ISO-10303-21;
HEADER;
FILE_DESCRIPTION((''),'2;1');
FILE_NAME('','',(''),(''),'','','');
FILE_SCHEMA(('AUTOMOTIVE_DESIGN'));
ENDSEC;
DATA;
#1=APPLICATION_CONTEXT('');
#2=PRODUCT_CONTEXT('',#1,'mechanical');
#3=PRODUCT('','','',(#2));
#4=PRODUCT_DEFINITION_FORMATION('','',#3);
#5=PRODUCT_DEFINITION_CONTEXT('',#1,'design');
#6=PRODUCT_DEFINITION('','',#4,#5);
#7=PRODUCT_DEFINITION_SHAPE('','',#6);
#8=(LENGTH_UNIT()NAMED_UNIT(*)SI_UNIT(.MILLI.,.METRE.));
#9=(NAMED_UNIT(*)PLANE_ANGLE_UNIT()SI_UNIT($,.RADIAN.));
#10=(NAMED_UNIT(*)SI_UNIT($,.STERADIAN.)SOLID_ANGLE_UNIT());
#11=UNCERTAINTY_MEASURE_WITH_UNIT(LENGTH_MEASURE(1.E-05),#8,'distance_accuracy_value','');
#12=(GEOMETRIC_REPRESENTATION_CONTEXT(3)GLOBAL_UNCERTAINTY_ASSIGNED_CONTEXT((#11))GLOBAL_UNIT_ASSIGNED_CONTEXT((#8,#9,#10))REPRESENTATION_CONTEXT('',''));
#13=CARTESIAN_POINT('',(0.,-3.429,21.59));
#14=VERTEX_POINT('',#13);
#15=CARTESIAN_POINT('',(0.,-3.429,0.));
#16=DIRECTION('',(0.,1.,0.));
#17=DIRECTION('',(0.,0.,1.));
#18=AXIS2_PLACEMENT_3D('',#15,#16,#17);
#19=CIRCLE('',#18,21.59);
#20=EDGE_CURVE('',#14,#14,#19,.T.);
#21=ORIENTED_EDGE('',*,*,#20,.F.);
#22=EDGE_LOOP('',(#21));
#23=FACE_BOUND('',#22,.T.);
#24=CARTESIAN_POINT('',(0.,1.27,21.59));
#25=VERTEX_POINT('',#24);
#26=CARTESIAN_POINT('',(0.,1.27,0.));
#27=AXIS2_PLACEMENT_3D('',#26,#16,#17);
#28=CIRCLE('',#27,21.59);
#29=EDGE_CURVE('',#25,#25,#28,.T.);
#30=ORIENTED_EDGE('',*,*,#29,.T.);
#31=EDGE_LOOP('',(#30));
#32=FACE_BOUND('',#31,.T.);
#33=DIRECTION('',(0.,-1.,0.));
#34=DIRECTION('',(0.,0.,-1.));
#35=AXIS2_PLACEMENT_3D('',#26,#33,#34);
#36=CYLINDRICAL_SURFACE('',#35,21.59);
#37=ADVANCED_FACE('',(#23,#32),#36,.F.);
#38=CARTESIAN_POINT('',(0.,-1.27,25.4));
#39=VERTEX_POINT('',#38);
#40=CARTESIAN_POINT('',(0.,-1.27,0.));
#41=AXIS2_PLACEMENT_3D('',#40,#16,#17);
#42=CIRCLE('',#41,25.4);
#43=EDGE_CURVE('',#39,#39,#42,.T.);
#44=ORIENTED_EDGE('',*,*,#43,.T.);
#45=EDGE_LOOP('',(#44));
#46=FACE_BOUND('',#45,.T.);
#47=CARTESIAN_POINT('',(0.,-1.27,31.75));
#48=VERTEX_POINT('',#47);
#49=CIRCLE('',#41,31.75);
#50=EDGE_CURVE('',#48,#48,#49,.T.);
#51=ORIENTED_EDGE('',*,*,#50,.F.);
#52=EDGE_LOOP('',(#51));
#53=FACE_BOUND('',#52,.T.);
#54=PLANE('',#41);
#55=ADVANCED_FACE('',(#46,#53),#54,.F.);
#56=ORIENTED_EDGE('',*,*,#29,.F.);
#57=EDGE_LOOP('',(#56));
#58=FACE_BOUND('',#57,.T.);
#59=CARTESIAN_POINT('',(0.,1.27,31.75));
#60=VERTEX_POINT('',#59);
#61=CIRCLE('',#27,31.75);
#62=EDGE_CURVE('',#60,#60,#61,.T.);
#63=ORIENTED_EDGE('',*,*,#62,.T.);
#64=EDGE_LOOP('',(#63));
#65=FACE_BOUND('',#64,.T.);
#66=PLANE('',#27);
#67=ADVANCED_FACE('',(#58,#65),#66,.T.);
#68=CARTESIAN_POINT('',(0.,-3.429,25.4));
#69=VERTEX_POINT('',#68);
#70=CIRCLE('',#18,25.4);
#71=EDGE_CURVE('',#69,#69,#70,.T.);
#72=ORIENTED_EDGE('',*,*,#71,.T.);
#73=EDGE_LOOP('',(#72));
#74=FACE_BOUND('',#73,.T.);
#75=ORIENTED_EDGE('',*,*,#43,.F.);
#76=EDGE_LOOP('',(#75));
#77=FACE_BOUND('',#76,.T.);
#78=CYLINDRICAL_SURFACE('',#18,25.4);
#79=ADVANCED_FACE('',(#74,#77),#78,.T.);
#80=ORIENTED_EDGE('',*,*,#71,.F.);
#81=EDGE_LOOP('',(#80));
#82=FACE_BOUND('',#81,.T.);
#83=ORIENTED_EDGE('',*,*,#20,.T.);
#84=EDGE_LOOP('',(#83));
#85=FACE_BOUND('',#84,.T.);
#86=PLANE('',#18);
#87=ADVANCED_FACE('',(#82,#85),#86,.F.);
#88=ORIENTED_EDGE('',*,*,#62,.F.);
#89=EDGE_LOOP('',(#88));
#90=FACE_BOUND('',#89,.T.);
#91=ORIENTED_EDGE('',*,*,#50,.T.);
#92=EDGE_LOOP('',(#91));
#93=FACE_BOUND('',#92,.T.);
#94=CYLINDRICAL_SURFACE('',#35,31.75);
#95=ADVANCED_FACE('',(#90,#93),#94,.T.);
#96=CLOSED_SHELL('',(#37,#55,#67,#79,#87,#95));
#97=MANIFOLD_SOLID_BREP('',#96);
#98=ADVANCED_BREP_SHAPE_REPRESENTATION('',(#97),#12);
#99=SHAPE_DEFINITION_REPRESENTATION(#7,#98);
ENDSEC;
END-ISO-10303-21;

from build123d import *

# Parameters (mm, degrees)
SKETCH1_R           = 31.75
SKETCH1_R_2         = 21.59
BOSS_EXTRUDE1_DEPTH = 1.27
BOSS_EXTRUDE2_START = -1.27
SKETCH1_3_R         = 25.4
SKETCH1_3_R_2       = 21.59
BOSS_EXTRUDE2_DEPTH = 2.159


with BuildPart() as part:
    # Sketch1 → Boss-Extrude1 (new, symmetric)
    with BuildSketch(Plane(origin=(0, 0, 0), x_dir=(1, 0, 0), z_dir=(0, 1, 0))):
        with Locations(Location((0, 0, 0), (0, 0, 270))):
            Circle(SKETCH1_R)
        with Locations(Location((0, 0, 0), (0, 0, 270))):
            Circle(SKETCH1_R_2, mode=Mode.SUBTRACT)
    extrude(amount=BOSS_EXTRUDE1_DEPTH, both=True)

    # Sketch1<3> → Boss-Extrude2 (add)
    with BuildSketch(Plane(origin=(0, 0, 0), x_dir=(1, 0, 0), z_dir=(0, 1, 0)).offset(BOSS_EXTRUDE2_START)):
        with Locations(Location((0, 0, 0), (0, 0, 270))):
            Circle(SKETCH1_3_R)
        with Locations(Location((0, 0, 0), (0, 0, 270))):
            Circle(SKETCH1_3_R_2, mode=Mode.SUBTRACT)
    extrude(amount=-BOSS_EXTRUDE2_DEPTH)


solid = part.part
